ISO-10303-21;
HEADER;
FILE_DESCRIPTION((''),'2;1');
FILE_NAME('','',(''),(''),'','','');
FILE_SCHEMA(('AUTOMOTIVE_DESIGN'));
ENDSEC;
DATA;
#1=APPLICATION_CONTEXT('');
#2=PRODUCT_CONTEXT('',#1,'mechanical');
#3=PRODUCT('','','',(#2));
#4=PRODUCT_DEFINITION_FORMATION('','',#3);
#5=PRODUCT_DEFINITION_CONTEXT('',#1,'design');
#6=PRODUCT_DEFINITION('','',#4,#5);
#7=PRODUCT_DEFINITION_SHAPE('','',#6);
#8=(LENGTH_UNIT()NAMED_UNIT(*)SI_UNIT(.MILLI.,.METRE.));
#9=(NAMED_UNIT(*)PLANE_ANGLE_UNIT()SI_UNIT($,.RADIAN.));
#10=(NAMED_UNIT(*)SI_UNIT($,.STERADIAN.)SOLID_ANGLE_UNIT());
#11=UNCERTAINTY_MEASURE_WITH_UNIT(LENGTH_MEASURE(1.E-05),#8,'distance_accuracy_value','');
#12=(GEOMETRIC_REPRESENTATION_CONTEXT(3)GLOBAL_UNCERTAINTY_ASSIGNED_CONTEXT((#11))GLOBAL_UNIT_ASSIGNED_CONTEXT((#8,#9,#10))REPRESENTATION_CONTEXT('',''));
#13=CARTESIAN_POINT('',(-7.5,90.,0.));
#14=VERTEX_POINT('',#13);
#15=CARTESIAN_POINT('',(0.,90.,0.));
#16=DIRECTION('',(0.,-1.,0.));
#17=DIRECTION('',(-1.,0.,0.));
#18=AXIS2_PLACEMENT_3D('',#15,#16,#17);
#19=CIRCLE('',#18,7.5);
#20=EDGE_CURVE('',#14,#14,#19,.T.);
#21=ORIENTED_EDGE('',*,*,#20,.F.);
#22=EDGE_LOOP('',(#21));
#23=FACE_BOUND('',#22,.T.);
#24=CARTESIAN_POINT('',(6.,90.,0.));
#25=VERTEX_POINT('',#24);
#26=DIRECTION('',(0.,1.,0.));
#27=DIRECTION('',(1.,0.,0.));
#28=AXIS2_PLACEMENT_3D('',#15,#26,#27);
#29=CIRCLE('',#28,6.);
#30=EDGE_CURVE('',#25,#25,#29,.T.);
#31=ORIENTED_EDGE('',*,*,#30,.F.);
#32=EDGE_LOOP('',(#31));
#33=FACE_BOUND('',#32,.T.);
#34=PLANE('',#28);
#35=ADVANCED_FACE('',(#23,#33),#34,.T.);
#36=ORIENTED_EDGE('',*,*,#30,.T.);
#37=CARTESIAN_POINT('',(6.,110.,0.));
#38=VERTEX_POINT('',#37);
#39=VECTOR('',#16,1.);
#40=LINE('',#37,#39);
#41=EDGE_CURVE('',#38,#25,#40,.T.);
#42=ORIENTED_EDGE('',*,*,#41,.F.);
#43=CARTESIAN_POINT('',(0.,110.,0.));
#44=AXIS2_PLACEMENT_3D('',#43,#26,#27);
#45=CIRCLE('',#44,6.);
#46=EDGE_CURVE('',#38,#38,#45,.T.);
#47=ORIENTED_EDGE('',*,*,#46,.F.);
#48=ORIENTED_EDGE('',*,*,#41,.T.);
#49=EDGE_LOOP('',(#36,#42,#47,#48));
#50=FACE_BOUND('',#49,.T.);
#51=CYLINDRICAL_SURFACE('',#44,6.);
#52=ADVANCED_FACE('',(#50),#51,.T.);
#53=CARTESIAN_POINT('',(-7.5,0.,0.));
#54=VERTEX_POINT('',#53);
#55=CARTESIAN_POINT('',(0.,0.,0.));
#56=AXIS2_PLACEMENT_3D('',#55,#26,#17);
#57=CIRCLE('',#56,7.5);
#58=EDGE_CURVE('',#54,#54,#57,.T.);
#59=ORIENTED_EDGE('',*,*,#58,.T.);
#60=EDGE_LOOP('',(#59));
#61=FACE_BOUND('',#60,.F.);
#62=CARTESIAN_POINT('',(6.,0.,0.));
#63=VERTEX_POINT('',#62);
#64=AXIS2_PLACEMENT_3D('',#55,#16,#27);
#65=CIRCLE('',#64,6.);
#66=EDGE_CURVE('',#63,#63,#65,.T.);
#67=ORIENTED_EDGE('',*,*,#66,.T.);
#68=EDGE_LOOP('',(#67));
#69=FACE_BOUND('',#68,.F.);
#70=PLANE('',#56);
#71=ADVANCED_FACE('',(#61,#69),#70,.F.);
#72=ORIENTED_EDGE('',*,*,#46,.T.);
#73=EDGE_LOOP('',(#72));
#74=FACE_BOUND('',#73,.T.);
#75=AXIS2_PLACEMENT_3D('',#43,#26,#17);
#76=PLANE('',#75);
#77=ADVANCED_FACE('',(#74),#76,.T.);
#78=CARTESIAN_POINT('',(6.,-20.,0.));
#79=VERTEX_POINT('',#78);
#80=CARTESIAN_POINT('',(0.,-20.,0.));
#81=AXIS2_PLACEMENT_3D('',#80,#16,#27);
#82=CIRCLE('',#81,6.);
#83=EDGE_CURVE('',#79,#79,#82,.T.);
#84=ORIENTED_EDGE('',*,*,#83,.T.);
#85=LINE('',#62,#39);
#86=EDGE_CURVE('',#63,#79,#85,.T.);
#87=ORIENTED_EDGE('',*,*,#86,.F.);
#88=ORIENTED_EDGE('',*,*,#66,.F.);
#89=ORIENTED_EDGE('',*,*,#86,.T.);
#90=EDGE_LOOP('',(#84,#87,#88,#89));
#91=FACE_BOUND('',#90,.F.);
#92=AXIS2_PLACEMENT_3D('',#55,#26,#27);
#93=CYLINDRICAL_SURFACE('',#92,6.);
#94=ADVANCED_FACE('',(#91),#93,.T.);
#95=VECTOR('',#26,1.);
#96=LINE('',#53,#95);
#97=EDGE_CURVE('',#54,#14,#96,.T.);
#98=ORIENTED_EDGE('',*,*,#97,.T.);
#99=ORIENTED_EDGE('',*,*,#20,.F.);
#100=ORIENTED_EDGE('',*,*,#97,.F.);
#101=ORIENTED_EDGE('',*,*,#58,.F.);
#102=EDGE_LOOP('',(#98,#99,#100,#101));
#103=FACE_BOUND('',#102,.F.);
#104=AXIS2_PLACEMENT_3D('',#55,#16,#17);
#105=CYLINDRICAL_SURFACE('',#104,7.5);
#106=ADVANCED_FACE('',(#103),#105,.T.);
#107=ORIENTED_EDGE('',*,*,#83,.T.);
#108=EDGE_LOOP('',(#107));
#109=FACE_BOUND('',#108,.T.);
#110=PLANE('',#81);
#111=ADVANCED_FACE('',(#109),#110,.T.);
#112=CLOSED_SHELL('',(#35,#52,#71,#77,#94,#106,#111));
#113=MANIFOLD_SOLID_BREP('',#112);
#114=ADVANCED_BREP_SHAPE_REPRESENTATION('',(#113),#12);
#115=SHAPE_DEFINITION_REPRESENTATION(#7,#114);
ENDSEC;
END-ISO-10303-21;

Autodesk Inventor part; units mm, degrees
ref_plane "YZ Plane" through (0, 0, 0) normal (1, 0, 0) x (0, 1, 0)
ref_plane "XZ Plane" through (0, 0, 0) normal (0, 1, 0) x (-1, 0, 0)
ref_plane "XY Plane" through (0, 0, 0) normal (0, 0, 1) x (1, 0, 0)
sketch "スケッチ1" plane through (0, 0, 0) normal (0, 1, 0) x (-1, 0, 0)
  circle A0 centre (0, 0) radius 7.5
  dimension "d0" = 15
extrude "押し出し1" add sketch "スケッチ1" along normal blind 110
sketch "スケッチ2" plane through (0, 110, 0) normal (0, 1, 0) x (1, 0, 0)
  circle A0 centre (0, 0) radius 6
  circle A1 centre (0, 0) radius 8
  dimension "d3" = 12
extrude "押し出し2" cut sketch "スケッチ2" against normal blind 20
sketch "スケッチ3" plane through (0, 0, 0) normal (0, -1, 0) x (1, 0, 0)
  circle A0 centre (0, 0) radius 6
  dimension "d6" = 12
extrude "押し出し3" add sketch "スケッチ3" along normal blind 20
properties part number "shaft2016"
